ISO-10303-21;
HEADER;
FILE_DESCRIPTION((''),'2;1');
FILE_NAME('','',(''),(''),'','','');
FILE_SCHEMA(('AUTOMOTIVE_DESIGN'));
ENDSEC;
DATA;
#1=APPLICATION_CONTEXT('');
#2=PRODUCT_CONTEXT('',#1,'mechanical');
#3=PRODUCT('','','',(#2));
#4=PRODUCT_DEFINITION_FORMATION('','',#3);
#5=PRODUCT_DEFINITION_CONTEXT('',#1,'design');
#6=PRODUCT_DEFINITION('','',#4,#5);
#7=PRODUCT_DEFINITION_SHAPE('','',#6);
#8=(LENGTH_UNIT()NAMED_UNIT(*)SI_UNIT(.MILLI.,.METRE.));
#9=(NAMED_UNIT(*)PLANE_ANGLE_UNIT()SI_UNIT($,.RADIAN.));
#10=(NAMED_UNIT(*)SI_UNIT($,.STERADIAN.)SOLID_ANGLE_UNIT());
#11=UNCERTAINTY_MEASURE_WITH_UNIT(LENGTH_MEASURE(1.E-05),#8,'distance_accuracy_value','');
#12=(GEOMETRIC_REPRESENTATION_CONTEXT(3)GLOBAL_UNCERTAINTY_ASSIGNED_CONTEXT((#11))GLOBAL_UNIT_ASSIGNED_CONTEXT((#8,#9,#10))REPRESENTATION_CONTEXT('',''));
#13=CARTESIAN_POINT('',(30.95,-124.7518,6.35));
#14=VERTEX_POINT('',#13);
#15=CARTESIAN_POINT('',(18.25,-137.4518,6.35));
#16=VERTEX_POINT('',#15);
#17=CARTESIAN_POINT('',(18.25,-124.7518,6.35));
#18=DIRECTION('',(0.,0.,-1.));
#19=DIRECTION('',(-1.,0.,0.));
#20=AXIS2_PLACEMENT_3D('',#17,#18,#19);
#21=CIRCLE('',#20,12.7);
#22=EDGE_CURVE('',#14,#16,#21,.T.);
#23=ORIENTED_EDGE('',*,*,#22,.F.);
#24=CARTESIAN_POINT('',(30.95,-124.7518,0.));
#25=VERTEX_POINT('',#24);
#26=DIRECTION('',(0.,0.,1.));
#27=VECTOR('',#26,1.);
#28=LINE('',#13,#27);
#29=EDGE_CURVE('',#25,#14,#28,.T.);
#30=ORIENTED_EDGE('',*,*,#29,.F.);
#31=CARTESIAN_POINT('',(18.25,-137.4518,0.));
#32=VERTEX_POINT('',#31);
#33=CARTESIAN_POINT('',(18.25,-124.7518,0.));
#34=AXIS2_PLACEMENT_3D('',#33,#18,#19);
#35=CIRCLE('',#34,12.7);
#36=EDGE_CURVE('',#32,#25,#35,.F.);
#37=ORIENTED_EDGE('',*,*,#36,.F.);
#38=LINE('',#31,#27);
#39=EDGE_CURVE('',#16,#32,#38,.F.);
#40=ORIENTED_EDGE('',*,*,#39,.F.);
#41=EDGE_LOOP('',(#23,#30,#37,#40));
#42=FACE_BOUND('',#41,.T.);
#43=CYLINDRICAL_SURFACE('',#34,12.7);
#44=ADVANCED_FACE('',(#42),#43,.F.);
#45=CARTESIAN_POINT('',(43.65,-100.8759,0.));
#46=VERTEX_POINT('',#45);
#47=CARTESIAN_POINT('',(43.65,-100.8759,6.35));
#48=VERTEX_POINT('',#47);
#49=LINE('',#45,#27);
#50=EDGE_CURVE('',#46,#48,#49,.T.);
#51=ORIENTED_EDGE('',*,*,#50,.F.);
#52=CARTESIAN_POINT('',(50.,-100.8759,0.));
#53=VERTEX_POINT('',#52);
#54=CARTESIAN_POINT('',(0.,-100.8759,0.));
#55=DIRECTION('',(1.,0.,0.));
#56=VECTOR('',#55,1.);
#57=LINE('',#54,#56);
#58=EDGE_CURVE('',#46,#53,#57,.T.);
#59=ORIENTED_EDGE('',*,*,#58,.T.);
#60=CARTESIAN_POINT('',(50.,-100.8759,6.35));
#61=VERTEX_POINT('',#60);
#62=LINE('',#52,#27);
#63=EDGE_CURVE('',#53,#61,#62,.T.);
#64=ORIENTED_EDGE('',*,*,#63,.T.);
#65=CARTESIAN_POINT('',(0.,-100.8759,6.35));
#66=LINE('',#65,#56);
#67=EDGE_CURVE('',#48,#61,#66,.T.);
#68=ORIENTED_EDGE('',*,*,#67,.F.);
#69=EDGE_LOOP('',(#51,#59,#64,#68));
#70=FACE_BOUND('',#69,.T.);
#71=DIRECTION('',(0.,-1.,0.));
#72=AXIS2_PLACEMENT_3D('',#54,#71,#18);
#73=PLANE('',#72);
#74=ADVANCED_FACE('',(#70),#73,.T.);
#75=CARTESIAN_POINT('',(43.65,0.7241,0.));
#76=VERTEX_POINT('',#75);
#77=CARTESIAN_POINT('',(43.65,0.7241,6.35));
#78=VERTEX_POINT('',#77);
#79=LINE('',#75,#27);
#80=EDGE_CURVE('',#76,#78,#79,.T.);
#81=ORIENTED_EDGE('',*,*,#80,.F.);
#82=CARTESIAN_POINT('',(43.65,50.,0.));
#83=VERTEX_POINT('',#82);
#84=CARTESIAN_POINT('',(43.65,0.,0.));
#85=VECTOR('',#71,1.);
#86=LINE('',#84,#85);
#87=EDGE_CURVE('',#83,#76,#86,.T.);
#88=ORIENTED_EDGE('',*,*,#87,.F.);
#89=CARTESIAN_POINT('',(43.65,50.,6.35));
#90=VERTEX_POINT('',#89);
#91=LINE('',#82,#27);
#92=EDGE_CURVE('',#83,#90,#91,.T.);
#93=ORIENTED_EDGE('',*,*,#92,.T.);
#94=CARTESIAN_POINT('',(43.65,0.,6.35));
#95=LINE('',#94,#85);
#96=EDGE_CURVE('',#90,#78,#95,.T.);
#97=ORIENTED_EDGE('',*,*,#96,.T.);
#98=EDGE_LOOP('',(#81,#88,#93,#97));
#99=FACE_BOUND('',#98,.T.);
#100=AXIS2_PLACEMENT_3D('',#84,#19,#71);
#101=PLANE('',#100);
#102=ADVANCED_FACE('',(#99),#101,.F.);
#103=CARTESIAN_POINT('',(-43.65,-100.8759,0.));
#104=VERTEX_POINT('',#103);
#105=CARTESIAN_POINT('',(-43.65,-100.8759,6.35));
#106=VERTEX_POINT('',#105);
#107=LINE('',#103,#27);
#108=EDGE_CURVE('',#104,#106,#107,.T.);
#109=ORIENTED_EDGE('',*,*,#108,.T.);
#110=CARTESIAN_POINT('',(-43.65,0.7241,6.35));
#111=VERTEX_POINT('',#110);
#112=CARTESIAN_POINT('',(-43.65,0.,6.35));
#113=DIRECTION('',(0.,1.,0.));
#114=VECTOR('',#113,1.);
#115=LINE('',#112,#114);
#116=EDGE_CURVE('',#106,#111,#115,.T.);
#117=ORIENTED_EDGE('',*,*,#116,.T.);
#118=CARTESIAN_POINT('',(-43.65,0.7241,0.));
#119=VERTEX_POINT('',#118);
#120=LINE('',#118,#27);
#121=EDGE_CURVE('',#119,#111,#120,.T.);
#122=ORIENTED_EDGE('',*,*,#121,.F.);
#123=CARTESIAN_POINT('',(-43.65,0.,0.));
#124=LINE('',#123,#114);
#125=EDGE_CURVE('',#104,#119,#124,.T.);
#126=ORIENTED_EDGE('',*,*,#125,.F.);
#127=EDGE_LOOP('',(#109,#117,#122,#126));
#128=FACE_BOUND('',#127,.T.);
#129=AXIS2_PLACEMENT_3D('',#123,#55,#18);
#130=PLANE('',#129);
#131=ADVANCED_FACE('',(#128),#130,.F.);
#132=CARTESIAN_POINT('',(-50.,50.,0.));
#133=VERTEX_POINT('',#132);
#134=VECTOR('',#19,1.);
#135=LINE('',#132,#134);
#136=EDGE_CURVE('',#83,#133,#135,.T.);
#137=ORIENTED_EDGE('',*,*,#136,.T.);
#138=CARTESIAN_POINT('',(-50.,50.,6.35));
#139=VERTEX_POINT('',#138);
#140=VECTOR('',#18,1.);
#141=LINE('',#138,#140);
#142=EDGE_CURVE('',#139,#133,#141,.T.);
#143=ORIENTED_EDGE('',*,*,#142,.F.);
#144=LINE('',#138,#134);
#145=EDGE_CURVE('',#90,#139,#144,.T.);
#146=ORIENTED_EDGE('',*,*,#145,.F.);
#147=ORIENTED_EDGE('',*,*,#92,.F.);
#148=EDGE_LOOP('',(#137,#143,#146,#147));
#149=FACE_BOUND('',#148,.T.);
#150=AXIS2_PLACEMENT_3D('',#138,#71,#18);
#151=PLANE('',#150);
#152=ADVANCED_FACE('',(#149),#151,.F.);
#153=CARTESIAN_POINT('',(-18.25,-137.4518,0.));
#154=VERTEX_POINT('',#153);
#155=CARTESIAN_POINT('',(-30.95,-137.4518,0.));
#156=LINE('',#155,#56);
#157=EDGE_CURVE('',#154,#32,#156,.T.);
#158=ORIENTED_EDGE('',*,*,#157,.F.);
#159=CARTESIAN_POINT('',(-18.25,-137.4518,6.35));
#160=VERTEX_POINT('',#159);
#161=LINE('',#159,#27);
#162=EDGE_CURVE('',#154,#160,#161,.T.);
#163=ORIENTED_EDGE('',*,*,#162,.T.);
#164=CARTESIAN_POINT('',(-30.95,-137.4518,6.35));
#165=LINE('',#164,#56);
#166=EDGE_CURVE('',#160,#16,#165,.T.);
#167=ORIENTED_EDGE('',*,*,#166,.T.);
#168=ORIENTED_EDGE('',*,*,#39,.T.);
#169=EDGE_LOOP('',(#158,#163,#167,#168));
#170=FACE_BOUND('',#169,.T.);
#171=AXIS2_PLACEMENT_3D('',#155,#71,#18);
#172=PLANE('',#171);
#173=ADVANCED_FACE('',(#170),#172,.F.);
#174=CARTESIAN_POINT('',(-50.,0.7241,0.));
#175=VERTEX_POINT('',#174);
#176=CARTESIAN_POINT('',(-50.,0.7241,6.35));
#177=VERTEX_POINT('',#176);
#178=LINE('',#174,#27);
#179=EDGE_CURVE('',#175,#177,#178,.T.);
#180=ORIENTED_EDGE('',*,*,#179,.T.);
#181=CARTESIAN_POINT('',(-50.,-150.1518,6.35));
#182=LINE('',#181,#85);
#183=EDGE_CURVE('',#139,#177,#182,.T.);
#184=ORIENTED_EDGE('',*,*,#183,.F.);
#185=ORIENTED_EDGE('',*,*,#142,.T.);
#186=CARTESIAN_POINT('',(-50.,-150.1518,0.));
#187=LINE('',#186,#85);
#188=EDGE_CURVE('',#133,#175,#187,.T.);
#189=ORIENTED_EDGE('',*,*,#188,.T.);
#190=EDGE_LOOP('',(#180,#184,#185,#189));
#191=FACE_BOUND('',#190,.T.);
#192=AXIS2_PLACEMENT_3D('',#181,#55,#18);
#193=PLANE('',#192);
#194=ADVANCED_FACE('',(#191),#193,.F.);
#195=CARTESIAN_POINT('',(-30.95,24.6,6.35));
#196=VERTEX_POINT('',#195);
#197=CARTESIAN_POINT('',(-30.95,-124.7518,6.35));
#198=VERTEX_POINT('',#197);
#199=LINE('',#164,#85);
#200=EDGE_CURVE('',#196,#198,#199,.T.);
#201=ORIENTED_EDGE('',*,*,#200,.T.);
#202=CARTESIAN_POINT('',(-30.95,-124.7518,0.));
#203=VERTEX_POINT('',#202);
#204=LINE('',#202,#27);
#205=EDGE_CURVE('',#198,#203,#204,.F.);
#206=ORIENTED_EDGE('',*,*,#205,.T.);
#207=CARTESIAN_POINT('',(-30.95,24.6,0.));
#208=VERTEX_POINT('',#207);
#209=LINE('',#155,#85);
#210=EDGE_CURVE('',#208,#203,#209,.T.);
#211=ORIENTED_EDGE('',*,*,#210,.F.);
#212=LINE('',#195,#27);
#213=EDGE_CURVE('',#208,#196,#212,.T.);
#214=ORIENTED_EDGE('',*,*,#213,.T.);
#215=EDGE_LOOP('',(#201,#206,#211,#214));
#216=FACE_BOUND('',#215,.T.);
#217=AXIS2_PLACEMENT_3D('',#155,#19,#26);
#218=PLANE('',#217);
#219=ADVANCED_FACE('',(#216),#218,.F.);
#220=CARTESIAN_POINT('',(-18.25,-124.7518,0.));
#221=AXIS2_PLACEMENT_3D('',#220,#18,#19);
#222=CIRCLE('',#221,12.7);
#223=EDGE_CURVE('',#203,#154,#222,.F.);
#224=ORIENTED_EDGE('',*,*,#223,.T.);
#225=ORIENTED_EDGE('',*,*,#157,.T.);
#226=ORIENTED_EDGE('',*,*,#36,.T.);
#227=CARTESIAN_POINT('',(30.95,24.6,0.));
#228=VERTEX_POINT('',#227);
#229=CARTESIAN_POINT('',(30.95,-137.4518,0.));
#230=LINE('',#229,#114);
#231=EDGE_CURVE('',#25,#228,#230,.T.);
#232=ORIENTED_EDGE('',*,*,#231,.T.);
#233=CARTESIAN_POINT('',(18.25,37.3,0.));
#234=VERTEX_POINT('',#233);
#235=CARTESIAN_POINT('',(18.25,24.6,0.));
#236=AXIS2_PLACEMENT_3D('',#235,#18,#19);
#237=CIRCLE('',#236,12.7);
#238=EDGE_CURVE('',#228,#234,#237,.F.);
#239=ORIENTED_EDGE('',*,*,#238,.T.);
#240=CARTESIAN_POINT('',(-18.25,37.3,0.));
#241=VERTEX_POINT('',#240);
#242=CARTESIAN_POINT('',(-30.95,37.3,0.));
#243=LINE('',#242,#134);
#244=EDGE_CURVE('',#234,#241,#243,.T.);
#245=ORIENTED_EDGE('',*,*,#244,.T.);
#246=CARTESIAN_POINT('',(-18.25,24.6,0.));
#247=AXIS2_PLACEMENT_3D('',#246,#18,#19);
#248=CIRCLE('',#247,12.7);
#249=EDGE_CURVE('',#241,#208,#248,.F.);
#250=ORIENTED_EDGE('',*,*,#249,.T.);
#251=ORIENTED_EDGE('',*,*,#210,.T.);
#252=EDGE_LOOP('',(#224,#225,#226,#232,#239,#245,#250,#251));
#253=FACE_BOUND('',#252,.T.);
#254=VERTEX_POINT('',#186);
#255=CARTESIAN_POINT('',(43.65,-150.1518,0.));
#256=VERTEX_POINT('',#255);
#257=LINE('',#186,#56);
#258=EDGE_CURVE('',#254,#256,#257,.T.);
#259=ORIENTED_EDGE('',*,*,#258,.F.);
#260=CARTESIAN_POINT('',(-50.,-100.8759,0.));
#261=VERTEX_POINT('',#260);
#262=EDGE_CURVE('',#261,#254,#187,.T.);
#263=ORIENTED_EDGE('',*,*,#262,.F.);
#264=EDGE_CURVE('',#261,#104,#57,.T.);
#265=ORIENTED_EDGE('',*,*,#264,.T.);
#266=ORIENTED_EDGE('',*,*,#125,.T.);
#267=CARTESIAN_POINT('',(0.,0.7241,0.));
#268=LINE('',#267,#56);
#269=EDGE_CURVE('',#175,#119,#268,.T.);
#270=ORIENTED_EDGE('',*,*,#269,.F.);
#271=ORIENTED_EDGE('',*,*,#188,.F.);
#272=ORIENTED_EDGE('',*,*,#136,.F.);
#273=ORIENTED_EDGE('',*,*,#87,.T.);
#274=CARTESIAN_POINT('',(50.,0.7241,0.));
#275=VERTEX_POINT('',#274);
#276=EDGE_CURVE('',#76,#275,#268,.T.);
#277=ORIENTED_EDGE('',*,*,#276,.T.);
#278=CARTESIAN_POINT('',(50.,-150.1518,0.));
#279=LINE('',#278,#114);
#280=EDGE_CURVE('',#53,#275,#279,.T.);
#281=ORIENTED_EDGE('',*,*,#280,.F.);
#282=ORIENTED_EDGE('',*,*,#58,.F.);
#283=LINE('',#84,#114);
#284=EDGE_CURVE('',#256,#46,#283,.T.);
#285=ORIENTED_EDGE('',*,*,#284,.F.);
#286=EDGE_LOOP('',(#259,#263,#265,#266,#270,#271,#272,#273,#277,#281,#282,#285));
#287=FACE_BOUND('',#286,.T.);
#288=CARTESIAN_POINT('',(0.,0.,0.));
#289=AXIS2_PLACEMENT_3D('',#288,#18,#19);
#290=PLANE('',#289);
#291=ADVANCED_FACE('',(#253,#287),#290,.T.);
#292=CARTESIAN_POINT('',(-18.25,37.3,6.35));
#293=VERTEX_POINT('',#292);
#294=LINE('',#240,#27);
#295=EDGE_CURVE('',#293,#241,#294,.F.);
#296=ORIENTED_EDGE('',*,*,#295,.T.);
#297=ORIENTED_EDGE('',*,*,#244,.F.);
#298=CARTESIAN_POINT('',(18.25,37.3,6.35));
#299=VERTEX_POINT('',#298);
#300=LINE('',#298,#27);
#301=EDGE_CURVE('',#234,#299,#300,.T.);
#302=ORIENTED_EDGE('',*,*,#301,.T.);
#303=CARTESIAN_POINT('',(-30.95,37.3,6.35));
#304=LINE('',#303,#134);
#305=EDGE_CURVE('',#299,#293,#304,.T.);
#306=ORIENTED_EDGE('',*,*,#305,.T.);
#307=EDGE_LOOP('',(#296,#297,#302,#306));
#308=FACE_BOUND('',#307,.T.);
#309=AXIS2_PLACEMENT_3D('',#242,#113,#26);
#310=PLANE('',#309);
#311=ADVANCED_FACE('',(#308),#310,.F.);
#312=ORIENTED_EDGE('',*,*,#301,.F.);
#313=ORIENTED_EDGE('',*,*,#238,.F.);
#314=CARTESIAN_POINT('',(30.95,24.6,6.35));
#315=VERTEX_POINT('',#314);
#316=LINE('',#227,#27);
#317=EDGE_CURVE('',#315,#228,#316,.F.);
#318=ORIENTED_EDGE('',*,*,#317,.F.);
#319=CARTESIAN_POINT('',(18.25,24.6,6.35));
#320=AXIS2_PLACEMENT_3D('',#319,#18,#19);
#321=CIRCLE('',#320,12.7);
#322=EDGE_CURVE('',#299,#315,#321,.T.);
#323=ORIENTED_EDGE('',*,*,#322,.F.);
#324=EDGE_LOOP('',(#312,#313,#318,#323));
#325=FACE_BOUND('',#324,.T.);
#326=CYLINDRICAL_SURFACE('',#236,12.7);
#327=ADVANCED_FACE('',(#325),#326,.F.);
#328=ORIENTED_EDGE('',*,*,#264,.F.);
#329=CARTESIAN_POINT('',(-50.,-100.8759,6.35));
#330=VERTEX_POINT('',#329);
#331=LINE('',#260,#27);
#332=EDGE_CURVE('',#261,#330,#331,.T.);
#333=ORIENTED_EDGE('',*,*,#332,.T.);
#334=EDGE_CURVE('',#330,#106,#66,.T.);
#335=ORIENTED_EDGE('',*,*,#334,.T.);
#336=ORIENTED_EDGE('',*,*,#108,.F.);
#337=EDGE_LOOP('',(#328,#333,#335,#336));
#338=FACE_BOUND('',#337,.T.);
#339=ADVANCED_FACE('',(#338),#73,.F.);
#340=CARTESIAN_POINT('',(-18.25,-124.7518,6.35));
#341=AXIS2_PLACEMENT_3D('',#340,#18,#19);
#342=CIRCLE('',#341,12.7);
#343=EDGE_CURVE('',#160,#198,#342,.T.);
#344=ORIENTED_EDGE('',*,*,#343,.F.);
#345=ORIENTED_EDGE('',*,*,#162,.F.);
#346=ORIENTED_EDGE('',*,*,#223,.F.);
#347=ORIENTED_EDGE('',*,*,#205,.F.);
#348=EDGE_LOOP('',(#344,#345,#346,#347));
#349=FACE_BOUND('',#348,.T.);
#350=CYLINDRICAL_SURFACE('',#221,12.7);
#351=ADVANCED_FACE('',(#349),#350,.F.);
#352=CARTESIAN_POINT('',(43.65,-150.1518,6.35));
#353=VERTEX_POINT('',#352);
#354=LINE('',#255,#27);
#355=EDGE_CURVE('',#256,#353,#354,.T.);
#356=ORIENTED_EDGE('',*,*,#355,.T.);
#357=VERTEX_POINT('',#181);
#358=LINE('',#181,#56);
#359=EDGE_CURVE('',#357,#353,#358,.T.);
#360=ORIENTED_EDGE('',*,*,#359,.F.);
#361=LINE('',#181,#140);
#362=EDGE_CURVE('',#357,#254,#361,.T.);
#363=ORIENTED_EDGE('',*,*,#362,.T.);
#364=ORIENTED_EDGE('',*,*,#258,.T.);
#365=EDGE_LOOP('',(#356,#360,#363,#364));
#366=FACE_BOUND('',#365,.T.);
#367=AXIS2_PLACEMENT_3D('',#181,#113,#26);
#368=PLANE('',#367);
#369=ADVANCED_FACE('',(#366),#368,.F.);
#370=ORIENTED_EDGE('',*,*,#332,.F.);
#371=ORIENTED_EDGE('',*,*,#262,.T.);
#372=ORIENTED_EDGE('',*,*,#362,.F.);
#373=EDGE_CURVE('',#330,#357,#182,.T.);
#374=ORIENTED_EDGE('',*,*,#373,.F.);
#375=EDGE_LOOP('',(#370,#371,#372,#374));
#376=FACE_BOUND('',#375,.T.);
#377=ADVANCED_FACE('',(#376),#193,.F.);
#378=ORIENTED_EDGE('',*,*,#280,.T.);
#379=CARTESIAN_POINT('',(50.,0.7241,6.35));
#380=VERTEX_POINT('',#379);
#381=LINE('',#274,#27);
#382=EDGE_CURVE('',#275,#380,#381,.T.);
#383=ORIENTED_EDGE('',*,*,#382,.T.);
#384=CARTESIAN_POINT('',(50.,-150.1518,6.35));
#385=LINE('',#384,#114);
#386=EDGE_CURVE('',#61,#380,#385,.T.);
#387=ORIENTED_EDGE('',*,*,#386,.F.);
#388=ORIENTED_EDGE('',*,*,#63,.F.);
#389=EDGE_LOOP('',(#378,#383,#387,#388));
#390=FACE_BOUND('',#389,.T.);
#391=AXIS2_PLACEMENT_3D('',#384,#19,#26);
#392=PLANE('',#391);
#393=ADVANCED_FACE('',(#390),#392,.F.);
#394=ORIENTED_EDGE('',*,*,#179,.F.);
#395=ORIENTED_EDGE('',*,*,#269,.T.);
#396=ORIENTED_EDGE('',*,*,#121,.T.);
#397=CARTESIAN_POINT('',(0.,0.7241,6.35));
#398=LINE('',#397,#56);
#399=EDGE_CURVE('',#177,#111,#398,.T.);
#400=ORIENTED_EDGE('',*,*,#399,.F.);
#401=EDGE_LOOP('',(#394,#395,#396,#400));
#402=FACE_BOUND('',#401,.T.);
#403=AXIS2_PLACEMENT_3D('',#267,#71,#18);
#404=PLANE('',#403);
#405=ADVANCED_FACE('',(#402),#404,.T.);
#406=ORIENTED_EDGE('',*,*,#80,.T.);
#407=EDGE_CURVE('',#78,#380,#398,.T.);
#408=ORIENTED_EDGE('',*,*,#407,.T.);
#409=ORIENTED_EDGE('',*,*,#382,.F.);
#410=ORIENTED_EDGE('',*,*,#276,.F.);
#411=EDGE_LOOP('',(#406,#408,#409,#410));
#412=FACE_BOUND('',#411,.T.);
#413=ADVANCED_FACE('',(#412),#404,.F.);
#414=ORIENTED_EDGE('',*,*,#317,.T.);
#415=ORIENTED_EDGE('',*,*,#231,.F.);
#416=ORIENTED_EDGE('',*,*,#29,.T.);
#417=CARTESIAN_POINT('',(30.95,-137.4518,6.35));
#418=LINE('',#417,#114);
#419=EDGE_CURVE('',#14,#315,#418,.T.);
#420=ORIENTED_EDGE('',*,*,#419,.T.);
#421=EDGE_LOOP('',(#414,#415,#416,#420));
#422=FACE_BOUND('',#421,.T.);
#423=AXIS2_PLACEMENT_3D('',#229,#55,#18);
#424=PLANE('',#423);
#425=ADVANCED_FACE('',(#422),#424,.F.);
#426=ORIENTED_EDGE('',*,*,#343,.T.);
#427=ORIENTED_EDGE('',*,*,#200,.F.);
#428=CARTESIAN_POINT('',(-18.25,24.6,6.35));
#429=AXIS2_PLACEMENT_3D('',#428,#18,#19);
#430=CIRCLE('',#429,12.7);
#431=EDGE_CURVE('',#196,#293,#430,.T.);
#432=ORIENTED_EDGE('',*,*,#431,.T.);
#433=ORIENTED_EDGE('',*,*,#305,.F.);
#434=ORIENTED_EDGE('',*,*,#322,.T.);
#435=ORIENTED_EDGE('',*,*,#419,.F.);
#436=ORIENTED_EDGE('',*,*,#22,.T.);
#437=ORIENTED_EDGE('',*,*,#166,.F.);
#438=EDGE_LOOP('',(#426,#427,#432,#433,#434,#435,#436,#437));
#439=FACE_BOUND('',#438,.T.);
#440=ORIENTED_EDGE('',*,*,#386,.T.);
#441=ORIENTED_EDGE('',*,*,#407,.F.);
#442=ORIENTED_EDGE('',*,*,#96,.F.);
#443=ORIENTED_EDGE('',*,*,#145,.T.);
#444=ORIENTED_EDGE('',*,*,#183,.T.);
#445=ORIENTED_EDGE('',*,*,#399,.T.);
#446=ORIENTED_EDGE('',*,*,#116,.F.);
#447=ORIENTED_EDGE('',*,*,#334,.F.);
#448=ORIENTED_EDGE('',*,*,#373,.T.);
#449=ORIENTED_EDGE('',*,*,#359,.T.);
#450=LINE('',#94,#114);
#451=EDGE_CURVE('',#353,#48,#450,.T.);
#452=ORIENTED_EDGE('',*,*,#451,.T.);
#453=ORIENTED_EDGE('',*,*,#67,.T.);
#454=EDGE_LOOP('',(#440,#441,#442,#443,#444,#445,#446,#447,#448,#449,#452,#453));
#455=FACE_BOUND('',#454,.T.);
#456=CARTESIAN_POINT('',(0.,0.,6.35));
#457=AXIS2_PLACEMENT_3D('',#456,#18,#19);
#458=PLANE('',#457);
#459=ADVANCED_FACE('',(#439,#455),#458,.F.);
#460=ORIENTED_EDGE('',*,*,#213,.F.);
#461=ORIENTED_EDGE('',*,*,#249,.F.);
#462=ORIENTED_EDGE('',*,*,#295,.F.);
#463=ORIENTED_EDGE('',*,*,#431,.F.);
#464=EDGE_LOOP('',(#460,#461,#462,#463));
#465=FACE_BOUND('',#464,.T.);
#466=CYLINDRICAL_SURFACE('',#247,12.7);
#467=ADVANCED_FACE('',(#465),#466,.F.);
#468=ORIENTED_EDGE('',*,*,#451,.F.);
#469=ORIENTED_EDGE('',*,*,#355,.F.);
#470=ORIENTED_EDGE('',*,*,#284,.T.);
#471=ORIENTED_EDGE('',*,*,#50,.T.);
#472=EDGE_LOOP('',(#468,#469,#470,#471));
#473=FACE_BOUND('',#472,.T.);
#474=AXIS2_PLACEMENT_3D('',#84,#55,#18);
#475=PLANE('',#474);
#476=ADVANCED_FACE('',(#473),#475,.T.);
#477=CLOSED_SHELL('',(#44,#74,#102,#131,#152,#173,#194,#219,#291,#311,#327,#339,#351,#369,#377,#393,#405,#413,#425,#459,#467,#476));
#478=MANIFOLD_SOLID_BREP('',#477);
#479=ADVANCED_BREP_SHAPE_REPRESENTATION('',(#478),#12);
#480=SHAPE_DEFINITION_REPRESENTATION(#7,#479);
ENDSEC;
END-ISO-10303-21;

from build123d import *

# Parameters (mm, degrees)
SKETCH1_W           = 100
SKETCH1_H           = 200.1518
BOSS_EXTRUDE1_DEPTH = 6.35
SKETCH2_W           = 6.35
SKETCH2_H           = 50.8
SKETCH2_H_2         = 49.2759
CUT_EXTRUDE1_DEPTH  = 6.35
SKETCH3_W           = 61.9
SKETCH3_H           = 174.7518
CUT_EXTRUDE2_DEPTH  = 6.35
FILLET1_R           = 12.7


with BuildPart() as part:
    # Sketch1 → Boss-Extrude1 (new body)
    with BuildSketch(Plane.XY):
        with Locations((0, -50.0759)):
            Rectangle(SKETCH1_W, SKETCH1_H)
    extrude(amount=BOSS_EXTRUDE1_DEPTH)

    # Sketch2 → Cut-Extrude1 (cut)
    with BuildSketch(Plane.XY.offset(6.35)):
        with Locations((-46.825, -24.6759)):
            Rectangle(SKETCH2_W, SKETCH2_H)
        with Locations((-46.825, -75.4759)):
            Rectangle(SKETCH2_W, SKETCH2_H)
        with Locations((46.825, 25.36205)):
            Rectangle(SKETCH2_W, SKETCH2_H_2)
        with Locations((46.825, -125.51385)):
            Rectangle(SKETCH2_W, SKETCH2_H_2)
    extrude(amount=-CUT_EXTRUDE1_DEPTH, mode=Mode.SUBTRACT)

    # Sketch3 → Cut-Extrude2 (cut)
    with BuildSketch(Plane.XY.offset(6.35)):
        with Locations((0, -50.0759)):
            Rectangle(SKETCH3_W, SKETCH3_H)
    extrude(amount=-CUT_EXTRUDE2_DEPTH, mode=Mode.SUBTRACT)

    # Fillet1
    fillet1_edges = [part.edges().sort_by_distance(p)[0] for p in [
        (-30.95, -137.4518, 3.175),
        (-30.95, 37.3, 3.175),
        (30.95, 37.3, 3.175),
        (30.95, -137.4518, 3.175),
    ]]
    fillet(fillet1_edges, radius=FILLET1_R)


solid = part.part
